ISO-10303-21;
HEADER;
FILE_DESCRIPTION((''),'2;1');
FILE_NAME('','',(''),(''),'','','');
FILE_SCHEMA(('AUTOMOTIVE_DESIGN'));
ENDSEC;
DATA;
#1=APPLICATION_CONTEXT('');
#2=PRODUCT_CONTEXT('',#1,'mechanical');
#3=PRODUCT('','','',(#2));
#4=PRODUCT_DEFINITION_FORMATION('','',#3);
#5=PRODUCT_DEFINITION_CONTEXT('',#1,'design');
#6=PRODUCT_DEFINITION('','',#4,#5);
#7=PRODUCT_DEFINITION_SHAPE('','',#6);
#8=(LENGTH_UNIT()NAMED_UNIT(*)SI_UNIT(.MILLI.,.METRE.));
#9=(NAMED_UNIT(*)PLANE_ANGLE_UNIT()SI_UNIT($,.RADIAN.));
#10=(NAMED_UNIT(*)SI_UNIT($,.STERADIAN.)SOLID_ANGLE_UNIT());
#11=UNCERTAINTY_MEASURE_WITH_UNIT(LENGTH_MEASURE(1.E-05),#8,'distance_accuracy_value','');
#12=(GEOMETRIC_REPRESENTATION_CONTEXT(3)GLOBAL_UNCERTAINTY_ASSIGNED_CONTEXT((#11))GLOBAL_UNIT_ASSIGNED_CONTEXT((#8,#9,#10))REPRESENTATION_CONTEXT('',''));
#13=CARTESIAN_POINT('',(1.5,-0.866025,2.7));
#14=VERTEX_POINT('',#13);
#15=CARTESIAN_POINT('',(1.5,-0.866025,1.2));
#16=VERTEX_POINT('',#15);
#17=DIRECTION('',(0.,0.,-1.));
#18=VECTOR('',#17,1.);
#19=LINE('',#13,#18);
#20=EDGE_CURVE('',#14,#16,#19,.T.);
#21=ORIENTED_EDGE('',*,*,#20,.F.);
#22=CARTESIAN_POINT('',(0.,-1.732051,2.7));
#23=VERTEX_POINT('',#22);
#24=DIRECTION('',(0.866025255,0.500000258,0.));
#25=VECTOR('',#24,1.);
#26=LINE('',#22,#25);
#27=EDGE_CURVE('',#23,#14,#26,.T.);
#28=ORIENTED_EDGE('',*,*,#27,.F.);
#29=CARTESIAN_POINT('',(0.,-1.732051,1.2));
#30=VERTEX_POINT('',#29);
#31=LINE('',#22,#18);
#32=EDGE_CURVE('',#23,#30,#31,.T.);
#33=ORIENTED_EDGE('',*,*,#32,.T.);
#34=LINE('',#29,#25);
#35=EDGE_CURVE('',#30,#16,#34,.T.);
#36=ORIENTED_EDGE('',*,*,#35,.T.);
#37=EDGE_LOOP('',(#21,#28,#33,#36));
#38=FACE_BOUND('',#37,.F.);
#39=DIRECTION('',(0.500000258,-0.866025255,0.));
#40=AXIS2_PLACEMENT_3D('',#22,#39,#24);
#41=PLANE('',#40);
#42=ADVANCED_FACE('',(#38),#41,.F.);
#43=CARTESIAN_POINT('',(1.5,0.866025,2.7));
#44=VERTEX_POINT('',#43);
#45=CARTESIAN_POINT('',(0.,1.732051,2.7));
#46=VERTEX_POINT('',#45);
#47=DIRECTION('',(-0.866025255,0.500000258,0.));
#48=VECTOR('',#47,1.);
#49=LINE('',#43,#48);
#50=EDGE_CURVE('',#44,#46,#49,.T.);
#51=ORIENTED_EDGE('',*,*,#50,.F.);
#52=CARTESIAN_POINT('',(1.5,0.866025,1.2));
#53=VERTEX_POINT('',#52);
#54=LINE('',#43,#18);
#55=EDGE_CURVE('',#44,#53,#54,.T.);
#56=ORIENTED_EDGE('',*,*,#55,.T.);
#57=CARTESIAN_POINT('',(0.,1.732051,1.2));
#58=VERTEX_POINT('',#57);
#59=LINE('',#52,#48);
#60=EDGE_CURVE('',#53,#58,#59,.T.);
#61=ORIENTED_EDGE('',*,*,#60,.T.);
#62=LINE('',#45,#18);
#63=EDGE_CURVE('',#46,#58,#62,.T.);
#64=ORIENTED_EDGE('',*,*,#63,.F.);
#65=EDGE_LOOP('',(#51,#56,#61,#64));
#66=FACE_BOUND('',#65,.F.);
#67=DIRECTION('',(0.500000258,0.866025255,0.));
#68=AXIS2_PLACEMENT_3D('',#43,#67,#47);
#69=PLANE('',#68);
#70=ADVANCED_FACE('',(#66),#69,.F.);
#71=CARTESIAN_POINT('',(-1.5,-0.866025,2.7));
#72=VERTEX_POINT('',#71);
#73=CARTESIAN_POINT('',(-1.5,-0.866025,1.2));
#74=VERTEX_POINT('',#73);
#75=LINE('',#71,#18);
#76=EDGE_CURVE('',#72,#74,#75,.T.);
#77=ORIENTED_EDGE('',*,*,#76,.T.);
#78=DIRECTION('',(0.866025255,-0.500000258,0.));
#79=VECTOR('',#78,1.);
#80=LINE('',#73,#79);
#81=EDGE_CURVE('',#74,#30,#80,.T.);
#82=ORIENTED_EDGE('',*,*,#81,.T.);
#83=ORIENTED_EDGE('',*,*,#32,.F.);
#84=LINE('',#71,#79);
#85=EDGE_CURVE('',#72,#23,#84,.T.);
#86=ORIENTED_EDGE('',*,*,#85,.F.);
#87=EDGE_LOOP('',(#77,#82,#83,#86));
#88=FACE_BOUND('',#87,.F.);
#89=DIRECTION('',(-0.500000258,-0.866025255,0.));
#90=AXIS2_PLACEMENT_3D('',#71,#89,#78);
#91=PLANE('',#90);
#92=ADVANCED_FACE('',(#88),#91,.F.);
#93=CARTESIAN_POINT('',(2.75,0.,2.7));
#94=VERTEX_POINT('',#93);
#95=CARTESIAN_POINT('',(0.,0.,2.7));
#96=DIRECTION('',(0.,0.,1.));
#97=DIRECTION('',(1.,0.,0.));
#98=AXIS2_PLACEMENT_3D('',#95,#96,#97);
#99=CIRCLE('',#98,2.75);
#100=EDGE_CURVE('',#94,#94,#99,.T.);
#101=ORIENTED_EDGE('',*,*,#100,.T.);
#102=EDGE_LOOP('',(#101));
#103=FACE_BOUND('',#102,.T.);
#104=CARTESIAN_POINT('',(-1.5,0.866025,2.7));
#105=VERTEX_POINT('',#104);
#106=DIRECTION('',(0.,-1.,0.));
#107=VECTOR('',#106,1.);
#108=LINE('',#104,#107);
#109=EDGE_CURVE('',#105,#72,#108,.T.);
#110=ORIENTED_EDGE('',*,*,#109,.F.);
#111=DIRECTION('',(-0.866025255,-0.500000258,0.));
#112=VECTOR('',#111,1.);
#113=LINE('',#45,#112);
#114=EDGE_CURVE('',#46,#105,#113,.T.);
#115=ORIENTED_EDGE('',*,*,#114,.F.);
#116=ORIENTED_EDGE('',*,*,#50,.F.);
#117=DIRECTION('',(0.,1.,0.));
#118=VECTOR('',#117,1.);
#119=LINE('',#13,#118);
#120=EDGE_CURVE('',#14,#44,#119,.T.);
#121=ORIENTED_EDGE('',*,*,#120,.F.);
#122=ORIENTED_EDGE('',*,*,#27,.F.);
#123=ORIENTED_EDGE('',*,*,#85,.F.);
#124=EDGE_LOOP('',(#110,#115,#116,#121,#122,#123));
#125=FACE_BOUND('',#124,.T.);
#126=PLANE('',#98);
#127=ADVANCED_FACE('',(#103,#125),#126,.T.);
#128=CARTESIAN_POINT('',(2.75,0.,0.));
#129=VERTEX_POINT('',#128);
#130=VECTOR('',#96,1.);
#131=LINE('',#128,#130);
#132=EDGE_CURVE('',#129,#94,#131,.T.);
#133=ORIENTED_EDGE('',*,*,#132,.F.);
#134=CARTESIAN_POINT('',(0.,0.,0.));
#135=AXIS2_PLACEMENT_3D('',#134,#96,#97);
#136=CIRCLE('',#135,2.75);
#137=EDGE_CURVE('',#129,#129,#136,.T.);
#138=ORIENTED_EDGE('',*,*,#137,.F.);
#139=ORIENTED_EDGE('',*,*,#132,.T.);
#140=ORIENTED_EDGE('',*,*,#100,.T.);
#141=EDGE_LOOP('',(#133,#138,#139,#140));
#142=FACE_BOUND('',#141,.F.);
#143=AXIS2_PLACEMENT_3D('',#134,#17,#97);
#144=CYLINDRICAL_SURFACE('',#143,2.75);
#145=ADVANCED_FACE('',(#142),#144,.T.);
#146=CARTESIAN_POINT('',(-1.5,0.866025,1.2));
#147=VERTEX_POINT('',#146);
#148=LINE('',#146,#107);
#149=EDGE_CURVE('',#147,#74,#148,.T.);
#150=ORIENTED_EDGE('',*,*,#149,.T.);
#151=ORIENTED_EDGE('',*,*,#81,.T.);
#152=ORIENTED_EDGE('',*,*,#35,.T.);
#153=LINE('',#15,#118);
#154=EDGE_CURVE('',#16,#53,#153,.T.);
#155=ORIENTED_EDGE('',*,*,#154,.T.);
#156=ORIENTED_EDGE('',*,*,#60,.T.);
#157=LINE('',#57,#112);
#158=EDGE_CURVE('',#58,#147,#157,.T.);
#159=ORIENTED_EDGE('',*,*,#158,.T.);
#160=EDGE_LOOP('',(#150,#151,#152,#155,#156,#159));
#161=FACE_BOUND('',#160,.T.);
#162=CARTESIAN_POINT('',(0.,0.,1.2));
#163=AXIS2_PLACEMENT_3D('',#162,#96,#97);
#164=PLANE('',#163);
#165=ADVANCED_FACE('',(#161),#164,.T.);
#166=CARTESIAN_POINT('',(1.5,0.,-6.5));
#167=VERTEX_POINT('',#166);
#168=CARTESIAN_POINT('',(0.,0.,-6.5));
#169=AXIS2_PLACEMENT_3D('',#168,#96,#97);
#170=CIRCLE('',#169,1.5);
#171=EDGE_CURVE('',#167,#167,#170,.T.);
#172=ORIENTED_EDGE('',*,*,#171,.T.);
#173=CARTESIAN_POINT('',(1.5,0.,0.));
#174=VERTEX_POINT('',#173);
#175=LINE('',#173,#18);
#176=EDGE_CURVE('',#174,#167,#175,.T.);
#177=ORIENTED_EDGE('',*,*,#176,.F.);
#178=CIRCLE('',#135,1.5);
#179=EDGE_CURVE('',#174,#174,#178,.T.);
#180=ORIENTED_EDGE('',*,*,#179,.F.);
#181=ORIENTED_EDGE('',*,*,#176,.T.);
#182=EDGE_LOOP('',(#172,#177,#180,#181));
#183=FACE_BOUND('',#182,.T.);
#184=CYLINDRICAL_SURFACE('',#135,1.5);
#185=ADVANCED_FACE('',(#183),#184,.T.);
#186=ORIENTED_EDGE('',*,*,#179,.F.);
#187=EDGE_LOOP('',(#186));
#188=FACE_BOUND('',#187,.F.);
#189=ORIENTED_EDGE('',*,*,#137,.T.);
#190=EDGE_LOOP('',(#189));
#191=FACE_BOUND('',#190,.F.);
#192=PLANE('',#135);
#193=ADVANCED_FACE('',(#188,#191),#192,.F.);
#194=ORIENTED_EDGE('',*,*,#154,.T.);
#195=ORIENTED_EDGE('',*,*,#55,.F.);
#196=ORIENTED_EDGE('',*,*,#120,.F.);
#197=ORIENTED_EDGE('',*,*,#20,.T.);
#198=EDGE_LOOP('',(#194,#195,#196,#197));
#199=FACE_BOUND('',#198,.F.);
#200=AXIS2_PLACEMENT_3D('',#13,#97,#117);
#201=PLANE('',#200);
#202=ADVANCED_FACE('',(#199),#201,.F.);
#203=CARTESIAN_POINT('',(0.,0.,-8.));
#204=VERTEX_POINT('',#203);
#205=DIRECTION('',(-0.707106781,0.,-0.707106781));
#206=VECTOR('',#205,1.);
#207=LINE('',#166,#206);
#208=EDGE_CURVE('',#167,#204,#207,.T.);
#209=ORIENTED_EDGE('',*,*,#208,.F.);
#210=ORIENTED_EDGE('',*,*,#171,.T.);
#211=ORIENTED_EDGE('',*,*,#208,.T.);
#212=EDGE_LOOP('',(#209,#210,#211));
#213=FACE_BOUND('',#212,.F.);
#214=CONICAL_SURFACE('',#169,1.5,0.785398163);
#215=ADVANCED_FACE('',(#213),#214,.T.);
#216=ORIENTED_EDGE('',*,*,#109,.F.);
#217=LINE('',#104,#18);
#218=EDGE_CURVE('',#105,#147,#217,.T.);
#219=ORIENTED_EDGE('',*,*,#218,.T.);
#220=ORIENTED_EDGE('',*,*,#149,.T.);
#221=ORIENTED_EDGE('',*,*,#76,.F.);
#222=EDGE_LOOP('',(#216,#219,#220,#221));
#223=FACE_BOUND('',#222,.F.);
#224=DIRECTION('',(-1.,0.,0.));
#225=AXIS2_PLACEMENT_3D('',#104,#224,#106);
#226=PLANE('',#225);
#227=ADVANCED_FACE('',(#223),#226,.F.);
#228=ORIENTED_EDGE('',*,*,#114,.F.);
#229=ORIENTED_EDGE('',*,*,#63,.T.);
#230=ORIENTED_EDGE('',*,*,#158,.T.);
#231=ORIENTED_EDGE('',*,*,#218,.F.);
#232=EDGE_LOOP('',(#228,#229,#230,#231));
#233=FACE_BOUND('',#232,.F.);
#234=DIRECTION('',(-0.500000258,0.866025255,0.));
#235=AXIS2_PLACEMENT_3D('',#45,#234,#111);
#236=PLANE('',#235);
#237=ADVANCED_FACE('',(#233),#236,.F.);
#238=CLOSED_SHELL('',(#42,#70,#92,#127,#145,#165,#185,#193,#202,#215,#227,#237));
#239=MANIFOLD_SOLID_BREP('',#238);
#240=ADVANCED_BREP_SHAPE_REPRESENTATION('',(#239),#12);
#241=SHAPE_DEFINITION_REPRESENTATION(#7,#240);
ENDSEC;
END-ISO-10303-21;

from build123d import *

# Parameters (mm, degrees)
F0_R     = 2.75
F0_R_2   = 1.5
F1_DEPTH = 2.7
F2_DEPTH = 8
F3_SIZE  = 1.5
F5_DEPTH = 1.5


with BuildPart() as f1:
    # F0 (on Top) → F1 (new body)
    with BuildSketch(Plane.XY):
        Circle(F0_R)
        Circle(F0_R_2, mode=Mode.SUBTRACT)
        Circle(F0_R_2)
    extrude(amount=F1_DEPTH)

    # F0 (on Top) → F2 (join)
    with BuildSketch(Plane.XY):
        Circle(F0_R_2)
    extrude(amount=-F2_DEPTH)

    # F3
    f3_edges = [f1.edges().sort_by_distance(p)[0] for p in [
        (-1.5, 0, -8),
    ]]
    chamfer(f3_edges, length=F3_SIZE)

    # F4 (on face) → F5 (cut)
    with BuildSketch(Plane.XY.offset(2.7)):
        Polygon((1.5, -0.866025), (1.5, 0.866025), (0, 1.732051), (-1.5, 0.866025), (-1.5, -0.866025), (0, -1.732051), align=None)
    extrude(amount=-F5_DEPTH, mode=Mode.SUBTRACT)


solid = f1.part
